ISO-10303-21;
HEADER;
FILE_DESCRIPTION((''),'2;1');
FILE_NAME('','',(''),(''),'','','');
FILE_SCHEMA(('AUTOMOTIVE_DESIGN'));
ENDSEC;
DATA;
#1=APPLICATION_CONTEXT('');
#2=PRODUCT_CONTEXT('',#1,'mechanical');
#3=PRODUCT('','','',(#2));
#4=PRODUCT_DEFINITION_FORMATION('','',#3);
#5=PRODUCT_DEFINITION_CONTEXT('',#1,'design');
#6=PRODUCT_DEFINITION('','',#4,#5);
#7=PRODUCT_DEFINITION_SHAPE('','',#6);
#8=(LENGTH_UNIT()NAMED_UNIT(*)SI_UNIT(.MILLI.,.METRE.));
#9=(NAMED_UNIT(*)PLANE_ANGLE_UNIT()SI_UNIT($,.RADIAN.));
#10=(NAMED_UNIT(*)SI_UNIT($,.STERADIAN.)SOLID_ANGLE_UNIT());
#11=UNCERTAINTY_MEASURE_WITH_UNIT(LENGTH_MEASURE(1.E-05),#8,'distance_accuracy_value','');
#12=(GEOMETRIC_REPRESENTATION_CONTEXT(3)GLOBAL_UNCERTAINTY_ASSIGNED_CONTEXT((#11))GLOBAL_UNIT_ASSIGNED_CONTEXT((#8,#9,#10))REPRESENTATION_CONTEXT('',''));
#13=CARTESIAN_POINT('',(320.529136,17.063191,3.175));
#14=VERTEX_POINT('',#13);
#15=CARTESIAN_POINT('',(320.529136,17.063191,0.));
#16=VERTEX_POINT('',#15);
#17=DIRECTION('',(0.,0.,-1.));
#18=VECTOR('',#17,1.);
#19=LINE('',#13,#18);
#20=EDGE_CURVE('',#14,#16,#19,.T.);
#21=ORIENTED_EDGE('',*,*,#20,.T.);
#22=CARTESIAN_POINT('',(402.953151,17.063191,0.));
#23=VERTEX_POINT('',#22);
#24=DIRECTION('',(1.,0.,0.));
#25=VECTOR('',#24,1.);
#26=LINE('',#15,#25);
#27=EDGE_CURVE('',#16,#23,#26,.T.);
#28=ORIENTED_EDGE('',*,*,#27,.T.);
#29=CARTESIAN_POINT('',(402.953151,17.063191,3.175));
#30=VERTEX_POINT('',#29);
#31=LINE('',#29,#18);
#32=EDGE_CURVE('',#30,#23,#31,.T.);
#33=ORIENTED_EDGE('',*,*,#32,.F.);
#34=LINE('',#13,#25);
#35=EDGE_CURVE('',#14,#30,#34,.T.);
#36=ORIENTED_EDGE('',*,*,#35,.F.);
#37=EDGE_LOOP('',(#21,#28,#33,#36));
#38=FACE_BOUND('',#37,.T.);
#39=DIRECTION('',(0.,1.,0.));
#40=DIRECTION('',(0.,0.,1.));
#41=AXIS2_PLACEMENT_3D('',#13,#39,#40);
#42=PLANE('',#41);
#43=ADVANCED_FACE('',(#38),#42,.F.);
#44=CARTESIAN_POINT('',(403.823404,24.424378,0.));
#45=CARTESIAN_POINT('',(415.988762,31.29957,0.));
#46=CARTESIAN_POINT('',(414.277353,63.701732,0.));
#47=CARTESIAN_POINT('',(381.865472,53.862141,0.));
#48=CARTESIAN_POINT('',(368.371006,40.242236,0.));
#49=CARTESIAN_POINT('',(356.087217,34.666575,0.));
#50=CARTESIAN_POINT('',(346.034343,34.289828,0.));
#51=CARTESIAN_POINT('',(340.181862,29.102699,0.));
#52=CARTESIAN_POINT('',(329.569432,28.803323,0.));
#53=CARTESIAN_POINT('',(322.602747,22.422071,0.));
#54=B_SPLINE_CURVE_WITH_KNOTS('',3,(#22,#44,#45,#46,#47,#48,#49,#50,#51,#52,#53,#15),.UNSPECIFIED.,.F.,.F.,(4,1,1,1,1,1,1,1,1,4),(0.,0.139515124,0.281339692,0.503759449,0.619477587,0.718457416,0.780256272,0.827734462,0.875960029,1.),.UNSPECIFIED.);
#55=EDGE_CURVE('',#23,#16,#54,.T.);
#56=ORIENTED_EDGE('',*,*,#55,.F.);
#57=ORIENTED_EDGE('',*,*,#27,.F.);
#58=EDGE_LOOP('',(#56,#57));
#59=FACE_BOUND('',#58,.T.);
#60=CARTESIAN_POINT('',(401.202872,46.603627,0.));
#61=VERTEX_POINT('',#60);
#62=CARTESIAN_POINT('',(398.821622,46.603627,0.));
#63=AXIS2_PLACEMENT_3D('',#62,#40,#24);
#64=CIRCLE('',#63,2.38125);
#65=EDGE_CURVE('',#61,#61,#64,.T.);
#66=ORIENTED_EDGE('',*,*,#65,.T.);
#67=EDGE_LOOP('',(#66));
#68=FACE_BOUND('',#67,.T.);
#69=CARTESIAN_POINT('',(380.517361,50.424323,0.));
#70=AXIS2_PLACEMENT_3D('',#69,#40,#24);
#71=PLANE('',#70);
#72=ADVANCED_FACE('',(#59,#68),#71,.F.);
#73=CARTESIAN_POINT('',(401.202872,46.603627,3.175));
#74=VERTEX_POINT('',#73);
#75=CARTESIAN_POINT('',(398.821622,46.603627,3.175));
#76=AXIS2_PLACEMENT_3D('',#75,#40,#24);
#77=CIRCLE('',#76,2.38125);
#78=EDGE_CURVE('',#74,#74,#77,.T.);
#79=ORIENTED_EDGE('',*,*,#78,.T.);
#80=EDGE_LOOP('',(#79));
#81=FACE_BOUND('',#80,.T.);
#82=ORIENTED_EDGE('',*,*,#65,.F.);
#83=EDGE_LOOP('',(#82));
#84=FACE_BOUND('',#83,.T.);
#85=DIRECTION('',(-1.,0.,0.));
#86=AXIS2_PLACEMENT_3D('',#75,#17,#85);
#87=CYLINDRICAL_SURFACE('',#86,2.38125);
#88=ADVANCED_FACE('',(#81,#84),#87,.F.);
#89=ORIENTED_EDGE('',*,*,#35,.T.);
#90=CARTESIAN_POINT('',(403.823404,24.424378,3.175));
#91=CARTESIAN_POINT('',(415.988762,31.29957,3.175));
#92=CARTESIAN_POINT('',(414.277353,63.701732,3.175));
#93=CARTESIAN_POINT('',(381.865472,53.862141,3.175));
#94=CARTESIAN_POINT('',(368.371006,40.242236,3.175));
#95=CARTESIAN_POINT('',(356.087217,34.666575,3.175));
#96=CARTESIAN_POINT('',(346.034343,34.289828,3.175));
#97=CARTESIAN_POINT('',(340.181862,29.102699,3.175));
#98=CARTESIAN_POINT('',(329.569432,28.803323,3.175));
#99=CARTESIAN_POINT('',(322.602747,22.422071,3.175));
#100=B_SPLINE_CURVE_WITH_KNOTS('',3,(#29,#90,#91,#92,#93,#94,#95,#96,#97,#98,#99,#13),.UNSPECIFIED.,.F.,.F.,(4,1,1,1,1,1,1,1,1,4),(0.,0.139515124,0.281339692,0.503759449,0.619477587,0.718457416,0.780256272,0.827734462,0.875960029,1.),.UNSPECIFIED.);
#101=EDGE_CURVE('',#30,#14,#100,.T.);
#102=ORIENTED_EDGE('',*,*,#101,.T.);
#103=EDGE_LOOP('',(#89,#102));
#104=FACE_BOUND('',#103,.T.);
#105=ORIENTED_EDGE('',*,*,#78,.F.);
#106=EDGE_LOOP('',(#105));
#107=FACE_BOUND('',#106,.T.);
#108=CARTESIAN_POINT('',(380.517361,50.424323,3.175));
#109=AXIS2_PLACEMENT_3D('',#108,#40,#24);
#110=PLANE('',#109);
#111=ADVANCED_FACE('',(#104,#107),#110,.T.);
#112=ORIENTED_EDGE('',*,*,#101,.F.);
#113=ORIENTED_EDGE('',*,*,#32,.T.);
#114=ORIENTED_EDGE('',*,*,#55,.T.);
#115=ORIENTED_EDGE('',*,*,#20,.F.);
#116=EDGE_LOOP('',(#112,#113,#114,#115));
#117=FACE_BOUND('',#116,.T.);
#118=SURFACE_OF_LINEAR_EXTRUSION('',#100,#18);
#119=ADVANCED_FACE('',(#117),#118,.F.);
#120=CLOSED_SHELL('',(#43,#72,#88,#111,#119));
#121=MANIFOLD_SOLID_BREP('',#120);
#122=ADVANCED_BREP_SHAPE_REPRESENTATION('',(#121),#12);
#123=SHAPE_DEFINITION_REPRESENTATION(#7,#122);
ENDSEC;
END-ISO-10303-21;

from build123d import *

# Parameters (mm, degrees)
SKETCH1_R           = 2.38125
BOSS_EXTRUDE1_DEPTH = 3.175


with BuildPart() as part:
    # Sketch1 → Boss-Extrude1 (new body)
    with BuildSketch(Plane.XY):
        with BuildLine():
            Line((320.529135655, 17.063190558), (402.953151444, 17.063190558))
            add(Edge.make_bspline(
                [(320.529135655, 17.063190558), (322.602747372, 22.422070846), (329.56943156, 28.803323221), (340.18186162, 29.102699295), (346.034342646, 34.28982774), (356.087217077, 34.66657494), (368.371006485, 40.242236287), (381.865472251, 53.862140686), (414.277353483, 63.701732451), (415.988761744, 31.299570063), (403.823403651, 24.424378095), (402.953151444, 17.063190558)],
                knots=[0, 0, 0, 0, 0.124039971, 0.172265538, 0.219743728, 0.281542584, 0.380522413, 0.496240551, 0.718660308, 0.860484876, 1, 1, 1, 1], degree=3))
        make_face()
        with Locations((398.821621831, 46.603627294)):
            Circle(SKETCH1_R, mode=Mode.SUBTRACT)
    extrude(amount=BOSS_EXTRUDE1_DEPTH)


solid = part.part
